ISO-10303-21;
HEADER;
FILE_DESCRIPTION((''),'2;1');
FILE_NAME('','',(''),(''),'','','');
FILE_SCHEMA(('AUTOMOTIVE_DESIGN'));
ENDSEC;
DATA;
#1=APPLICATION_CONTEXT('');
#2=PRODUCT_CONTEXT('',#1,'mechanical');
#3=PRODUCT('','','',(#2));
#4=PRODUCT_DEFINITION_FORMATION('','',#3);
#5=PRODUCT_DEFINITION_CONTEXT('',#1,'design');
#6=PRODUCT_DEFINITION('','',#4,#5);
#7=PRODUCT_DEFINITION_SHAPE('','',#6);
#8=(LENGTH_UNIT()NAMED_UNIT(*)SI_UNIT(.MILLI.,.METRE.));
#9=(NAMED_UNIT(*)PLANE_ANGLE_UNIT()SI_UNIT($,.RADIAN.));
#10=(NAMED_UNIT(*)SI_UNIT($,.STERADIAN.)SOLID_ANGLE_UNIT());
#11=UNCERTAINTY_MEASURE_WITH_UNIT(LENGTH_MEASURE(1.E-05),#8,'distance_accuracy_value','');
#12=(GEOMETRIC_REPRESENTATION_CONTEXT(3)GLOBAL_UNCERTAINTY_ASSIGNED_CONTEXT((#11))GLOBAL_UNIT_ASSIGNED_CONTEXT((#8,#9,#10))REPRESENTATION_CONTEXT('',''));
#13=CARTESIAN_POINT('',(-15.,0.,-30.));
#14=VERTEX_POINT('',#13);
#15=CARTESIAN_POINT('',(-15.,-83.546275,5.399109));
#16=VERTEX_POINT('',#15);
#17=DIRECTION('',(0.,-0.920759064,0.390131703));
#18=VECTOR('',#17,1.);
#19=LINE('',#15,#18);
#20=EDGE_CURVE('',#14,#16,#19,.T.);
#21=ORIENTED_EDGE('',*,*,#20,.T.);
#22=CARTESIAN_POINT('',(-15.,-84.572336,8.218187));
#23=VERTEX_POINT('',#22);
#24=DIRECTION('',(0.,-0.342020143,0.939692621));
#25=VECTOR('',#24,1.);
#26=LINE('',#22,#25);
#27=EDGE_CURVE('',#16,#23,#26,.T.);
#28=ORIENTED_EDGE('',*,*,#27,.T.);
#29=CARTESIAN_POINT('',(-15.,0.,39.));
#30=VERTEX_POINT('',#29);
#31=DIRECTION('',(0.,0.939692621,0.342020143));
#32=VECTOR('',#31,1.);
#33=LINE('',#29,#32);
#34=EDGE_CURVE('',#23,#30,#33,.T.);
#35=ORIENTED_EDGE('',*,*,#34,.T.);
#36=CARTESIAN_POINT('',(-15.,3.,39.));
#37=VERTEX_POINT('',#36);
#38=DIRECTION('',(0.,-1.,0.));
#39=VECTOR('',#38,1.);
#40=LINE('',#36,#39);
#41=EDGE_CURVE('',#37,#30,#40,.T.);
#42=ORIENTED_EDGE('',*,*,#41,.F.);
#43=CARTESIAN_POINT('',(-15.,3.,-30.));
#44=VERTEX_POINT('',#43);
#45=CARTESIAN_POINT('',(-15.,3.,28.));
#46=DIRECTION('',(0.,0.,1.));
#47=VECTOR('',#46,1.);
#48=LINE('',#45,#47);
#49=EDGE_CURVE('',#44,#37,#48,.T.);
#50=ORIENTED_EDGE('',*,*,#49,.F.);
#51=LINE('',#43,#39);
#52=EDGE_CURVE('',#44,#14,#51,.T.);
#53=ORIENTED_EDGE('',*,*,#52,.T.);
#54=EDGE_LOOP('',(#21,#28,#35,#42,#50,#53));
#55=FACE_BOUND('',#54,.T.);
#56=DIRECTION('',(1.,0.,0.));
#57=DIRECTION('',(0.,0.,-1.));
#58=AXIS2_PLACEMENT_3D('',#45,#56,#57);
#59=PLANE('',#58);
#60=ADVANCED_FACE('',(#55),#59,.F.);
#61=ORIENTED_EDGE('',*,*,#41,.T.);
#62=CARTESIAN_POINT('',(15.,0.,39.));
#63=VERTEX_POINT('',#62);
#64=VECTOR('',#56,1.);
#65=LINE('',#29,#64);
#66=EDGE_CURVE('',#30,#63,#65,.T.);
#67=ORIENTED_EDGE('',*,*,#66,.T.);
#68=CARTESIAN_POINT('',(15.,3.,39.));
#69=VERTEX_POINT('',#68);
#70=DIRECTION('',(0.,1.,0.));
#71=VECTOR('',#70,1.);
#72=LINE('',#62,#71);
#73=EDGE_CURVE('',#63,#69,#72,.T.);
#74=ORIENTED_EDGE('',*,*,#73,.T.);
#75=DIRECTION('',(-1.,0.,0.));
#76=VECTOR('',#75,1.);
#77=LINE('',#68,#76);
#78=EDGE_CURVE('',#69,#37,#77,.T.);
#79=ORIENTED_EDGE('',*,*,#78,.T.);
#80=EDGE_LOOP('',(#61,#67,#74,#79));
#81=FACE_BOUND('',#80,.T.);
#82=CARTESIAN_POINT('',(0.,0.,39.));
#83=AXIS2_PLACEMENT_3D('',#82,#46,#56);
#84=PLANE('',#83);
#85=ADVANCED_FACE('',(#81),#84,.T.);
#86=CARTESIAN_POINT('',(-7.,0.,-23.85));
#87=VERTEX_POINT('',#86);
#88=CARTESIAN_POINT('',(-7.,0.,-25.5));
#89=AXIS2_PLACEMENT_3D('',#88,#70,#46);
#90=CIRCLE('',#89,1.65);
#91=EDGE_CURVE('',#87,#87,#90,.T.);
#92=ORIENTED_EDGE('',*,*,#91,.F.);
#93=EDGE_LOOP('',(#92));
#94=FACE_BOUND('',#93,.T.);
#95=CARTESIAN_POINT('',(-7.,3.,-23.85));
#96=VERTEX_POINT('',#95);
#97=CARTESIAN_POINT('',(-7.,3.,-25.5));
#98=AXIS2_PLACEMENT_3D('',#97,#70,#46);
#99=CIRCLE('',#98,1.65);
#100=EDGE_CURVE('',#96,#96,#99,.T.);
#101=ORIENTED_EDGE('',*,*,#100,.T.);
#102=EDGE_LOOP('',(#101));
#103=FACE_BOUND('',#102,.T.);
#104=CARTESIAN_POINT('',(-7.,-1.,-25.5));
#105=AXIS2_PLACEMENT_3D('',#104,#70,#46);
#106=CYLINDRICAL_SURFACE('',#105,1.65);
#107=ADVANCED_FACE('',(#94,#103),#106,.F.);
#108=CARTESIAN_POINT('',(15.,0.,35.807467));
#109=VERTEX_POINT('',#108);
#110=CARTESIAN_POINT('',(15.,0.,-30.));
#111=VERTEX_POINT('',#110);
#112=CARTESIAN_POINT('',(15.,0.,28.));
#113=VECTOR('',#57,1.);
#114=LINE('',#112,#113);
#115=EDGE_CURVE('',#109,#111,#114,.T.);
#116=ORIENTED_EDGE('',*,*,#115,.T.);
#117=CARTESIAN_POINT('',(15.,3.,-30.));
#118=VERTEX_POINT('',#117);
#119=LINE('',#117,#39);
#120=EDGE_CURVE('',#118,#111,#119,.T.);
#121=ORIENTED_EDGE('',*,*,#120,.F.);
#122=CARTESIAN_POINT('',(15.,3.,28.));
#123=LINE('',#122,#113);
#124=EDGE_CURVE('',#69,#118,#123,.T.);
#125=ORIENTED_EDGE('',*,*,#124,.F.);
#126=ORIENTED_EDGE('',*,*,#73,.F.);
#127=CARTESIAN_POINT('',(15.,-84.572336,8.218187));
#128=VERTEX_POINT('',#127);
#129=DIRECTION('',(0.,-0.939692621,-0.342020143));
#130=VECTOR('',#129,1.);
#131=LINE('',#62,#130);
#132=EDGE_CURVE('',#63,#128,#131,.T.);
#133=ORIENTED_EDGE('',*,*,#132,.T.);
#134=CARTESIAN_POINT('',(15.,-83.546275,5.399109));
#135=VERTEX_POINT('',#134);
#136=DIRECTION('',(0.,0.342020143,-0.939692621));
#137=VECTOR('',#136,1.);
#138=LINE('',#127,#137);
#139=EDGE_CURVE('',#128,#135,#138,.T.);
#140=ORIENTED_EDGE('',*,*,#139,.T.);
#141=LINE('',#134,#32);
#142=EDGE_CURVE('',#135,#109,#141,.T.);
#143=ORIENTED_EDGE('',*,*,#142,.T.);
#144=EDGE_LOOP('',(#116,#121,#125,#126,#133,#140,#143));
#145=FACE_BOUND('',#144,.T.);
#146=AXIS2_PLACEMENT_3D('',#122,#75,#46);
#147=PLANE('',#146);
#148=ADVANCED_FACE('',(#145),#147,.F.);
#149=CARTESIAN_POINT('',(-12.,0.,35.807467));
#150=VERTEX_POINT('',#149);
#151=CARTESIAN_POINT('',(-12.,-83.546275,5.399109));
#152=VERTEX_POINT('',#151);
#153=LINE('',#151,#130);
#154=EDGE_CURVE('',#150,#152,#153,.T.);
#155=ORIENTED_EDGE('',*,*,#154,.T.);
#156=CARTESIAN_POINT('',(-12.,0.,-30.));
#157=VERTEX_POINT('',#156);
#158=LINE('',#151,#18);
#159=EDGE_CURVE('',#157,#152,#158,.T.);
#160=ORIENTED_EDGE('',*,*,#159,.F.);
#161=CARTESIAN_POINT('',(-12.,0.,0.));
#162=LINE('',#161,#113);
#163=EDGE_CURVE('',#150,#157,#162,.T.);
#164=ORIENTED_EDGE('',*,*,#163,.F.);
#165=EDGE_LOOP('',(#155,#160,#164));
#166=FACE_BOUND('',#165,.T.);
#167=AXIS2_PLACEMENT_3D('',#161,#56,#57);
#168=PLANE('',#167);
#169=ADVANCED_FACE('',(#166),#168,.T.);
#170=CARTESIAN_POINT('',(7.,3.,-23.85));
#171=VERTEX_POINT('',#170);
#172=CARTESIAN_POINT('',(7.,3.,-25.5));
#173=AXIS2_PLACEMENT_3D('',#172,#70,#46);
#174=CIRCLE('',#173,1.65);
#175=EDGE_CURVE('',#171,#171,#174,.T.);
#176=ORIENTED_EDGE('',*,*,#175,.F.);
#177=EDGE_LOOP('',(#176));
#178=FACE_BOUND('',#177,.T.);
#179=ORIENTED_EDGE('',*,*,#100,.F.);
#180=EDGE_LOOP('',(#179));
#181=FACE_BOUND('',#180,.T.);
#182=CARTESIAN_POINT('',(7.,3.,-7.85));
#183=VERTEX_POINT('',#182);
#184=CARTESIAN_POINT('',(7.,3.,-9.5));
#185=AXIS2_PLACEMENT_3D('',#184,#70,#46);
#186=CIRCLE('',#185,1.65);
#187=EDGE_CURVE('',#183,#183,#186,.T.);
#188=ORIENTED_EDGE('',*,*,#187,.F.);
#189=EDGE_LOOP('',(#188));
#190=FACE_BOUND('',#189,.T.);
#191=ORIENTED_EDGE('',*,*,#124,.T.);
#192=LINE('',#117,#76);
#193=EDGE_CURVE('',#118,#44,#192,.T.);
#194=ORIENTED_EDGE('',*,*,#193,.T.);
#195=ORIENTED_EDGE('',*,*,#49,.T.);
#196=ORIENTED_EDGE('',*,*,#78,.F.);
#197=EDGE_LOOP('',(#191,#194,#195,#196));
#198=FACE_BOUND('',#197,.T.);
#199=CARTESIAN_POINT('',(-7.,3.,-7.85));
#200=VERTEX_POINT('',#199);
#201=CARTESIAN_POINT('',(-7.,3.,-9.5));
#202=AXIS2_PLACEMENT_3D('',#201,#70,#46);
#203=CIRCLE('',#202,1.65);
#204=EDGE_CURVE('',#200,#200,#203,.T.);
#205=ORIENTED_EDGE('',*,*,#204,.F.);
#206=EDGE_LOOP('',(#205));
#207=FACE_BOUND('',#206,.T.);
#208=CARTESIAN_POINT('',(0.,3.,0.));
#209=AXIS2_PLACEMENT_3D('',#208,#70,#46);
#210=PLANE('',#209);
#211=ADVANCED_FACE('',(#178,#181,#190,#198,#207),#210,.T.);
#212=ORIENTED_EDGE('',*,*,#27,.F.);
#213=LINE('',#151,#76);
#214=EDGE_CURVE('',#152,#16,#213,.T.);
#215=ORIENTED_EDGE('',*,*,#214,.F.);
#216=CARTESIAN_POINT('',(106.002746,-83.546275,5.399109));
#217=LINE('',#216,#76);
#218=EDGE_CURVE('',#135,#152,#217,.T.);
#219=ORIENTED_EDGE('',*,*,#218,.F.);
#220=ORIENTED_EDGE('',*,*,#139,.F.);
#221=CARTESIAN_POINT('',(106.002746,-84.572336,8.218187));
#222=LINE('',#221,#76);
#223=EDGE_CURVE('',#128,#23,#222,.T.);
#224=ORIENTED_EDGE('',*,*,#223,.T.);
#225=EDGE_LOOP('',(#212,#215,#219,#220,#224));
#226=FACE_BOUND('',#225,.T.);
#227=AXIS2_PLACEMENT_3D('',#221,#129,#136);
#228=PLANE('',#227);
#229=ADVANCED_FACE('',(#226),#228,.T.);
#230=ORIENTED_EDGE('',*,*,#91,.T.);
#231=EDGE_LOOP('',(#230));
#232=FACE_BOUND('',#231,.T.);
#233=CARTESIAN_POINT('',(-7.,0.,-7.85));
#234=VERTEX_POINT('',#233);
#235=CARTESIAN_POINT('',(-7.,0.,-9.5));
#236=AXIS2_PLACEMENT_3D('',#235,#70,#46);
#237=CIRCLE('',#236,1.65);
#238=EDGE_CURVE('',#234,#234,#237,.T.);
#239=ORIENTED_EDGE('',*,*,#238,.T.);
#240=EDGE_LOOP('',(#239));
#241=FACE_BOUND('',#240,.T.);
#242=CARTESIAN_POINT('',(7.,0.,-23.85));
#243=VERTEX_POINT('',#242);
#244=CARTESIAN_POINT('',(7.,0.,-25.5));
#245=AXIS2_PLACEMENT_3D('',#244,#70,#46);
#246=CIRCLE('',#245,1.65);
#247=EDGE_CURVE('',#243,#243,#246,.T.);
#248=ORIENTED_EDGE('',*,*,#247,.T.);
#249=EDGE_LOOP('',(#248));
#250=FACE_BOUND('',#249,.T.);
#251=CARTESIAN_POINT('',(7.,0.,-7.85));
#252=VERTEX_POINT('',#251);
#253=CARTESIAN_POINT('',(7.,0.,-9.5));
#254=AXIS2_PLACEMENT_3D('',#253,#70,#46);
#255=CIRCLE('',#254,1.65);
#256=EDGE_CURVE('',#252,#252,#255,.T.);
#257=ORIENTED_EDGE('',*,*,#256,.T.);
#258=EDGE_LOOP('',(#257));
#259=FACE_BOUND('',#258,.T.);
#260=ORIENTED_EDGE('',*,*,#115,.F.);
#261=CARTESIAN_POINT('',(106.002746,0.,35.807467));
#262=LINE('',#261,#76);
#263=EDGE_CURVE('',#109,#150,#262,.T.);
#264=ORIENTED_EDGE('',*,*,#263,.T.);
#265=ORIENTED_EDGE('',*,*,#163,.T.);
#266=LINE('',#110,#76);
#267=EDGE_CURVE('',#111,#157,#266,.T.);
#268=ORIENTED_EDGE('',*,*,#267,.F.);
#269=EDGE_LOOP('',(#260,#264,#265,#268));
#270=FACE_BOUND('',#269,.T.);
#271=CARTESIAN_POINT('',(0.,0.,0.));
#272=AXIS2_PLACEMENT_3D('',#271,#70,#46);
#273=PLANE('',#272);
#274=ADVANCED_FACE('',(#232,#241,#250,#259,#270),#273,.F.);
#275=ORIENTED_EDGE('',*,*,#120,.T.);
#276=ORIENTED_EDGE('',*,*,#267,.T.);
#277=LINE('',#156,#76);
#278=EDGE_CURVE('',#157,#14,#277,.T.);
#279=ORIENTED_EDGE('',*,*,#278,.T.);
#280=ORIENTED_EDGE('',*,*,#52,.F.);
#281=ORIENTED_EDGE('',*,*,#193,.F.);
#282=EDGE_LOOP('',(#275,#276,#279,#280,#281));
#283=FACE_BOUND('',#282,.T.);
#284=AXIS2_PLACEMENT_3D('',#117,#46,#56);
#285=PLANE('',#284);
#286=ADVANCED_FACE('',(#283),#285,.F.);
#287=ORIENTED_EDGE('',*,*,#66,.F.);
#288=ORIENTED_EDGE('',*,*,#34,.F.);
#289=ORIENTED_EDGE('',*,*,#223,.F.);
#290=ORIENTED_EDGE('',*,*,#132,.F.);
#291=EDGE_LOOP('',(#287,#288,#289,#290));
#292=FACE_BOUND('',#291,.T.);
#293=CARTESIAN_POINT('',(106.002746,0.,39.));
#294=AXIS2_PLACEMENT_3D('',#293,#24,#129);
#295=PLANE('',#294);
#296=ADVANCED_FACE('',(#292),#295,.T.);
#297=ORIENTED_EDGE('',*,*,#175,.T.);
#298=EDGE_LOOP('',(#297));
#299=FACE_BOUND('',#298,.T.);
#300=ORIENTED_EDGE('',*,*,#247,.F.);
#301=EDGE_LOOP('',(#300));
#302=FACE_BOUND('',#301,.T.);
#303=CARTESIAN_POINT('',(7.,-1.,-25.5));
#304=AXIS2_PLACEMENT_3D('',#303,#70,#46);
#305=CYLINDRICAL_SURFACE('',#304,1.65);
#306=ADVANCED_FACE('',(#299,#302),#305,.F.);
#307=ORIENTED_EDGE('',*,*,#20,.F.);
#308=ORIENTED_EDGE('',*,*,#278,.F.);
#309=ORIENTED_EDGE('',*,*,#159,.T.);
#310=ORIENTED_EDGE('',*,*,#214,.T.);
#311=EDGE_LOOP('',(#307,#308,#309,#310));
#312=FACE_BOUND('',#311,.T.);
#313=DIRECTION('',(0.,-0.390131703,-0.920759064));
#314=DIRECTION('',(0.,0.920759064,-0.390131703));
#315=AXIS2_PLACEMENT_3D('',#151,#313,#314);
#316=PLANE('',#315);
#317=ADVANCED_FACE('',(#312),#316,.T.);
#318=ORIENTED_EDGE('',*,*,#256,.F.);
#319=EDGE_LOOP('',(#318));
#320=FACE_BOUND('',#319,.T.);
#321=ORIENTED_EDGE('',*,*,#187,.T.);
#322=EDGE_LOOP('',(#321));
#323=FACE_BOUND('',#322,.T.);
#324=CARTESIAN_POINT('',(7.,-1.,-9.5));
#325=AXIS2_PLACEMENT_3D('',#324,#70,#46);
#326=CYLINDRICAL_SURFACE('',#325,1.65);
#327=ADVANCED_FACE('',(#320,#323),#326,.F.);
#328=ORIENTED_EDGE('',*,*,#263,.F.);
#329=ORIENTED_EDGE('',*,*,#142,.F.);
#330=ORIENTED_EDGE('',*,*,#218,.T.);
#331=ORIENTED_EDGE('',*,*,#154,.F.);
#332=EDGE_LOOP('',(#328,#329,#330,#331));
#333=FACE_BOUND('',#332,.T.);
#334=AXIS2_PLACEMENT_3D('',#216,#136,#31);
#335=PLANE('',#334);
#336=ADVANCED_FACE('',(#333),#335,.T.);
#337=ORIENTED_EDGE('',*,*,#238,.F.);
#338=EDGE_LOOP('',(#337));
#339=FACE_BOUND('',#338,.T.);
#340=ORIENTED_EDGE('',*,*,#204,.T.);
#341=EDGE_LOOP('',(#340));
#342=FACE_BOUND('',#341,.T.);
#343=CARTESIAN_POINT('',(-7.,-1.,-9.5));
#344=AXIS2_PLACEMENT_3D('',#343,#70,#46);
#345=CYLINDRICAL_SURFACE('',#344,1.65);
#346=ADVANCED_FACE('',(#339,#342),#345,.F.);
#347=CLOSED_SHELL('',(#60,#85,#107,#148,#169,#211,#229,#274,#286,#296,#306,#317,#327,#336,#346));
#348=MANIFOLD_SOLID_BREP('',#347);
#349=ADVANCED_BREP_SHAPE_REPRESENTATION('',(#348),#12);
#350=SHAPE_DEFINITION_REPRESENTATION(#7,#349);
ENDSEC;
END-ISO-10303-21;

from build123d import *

# Parameters (mm, degrees)
BOSS_EXTRUDE1_DEPTH = 3
SKETCH2_R           = 1.65
CUT_EXTRUDE1_DEPTH  = 4
SKETCH3_W           = 30
SKETCH3_H           = 3
BOSS_EXTRUDE2_DEPTH = 8
BOSS_EXTRUDE3_DEPTH = 30
BOSS_EXTRUDE4_DEPTH = 3


with BuildPart() as part:
    # Sketch1 → Boss-Extrude1 (new body)
    with BuildSketch(Plane(origin=(0, 0, 0), x_dir=(1, 0, 0), z_dir=(0, 1, 0))):
        Polygon((15, -28), (15, 30), (-15, 30), (-15, -28), (-15, -31), (15, -31), align=None)
    extrude(amount=BOSS_EXTRUDE1_DEPTH)

    # Sketch2 → Cut-Extrude1 (cut)
    with BuildSketch(Plane(origin=(0, 3, 0), x_dir=(1, 0, 0), z_dir=(0, 1, 0))):
        with Locations((-7, 25.5)):
            Circle(SKETCH2_R)
        with Locations((7, 25.5)):
            Circle(SKETCH2_R)
        with Locations((-7, 9.5)):
            Circle(SKETCH2_R)
        with Locations((7, 9.5)):
            Circle(SKETCH2_R)
    extrude(amount=-CUT_EXTRUDE1_DEPTH, mode=Mode.SUBTRACT)

    # Sketch3 → Boss-Extrude2 (add)
    with BuildSketch(Plane.XY.offset(31)):
        with Locations((0, 1.5)):
            Rectangle(SKETCH3_W, SKETCH3_H)
    extrude(amount=BOSS_EXTRUDE2_DEPTH)

    # Sketch5 → Boss-Extrude3 (add)
    with BuildSketch(Plane.ZY.offset(15)):
        Polygon((39, 0), (8.218187101, -84.572335871), (5.399109238, -83.546275441), (35.807466683, 0), align=None)
    extrude(amount=-BOSS_EXTRUDE3_DEPTH)

    # Sketch6 → Boss-Extrude4 (add)
    with BuildSketch(Plane.ZY.offset(15)):
        Polygon((5.399109238, -83.546275441), (-30, 0), (-30, 3), (39, 3), (39, 0), (8.218187101, -84.572335871), align=None)
    extrude(amount=-BOSS_EXTRUDE4_DEPTH)


solid = part.part
